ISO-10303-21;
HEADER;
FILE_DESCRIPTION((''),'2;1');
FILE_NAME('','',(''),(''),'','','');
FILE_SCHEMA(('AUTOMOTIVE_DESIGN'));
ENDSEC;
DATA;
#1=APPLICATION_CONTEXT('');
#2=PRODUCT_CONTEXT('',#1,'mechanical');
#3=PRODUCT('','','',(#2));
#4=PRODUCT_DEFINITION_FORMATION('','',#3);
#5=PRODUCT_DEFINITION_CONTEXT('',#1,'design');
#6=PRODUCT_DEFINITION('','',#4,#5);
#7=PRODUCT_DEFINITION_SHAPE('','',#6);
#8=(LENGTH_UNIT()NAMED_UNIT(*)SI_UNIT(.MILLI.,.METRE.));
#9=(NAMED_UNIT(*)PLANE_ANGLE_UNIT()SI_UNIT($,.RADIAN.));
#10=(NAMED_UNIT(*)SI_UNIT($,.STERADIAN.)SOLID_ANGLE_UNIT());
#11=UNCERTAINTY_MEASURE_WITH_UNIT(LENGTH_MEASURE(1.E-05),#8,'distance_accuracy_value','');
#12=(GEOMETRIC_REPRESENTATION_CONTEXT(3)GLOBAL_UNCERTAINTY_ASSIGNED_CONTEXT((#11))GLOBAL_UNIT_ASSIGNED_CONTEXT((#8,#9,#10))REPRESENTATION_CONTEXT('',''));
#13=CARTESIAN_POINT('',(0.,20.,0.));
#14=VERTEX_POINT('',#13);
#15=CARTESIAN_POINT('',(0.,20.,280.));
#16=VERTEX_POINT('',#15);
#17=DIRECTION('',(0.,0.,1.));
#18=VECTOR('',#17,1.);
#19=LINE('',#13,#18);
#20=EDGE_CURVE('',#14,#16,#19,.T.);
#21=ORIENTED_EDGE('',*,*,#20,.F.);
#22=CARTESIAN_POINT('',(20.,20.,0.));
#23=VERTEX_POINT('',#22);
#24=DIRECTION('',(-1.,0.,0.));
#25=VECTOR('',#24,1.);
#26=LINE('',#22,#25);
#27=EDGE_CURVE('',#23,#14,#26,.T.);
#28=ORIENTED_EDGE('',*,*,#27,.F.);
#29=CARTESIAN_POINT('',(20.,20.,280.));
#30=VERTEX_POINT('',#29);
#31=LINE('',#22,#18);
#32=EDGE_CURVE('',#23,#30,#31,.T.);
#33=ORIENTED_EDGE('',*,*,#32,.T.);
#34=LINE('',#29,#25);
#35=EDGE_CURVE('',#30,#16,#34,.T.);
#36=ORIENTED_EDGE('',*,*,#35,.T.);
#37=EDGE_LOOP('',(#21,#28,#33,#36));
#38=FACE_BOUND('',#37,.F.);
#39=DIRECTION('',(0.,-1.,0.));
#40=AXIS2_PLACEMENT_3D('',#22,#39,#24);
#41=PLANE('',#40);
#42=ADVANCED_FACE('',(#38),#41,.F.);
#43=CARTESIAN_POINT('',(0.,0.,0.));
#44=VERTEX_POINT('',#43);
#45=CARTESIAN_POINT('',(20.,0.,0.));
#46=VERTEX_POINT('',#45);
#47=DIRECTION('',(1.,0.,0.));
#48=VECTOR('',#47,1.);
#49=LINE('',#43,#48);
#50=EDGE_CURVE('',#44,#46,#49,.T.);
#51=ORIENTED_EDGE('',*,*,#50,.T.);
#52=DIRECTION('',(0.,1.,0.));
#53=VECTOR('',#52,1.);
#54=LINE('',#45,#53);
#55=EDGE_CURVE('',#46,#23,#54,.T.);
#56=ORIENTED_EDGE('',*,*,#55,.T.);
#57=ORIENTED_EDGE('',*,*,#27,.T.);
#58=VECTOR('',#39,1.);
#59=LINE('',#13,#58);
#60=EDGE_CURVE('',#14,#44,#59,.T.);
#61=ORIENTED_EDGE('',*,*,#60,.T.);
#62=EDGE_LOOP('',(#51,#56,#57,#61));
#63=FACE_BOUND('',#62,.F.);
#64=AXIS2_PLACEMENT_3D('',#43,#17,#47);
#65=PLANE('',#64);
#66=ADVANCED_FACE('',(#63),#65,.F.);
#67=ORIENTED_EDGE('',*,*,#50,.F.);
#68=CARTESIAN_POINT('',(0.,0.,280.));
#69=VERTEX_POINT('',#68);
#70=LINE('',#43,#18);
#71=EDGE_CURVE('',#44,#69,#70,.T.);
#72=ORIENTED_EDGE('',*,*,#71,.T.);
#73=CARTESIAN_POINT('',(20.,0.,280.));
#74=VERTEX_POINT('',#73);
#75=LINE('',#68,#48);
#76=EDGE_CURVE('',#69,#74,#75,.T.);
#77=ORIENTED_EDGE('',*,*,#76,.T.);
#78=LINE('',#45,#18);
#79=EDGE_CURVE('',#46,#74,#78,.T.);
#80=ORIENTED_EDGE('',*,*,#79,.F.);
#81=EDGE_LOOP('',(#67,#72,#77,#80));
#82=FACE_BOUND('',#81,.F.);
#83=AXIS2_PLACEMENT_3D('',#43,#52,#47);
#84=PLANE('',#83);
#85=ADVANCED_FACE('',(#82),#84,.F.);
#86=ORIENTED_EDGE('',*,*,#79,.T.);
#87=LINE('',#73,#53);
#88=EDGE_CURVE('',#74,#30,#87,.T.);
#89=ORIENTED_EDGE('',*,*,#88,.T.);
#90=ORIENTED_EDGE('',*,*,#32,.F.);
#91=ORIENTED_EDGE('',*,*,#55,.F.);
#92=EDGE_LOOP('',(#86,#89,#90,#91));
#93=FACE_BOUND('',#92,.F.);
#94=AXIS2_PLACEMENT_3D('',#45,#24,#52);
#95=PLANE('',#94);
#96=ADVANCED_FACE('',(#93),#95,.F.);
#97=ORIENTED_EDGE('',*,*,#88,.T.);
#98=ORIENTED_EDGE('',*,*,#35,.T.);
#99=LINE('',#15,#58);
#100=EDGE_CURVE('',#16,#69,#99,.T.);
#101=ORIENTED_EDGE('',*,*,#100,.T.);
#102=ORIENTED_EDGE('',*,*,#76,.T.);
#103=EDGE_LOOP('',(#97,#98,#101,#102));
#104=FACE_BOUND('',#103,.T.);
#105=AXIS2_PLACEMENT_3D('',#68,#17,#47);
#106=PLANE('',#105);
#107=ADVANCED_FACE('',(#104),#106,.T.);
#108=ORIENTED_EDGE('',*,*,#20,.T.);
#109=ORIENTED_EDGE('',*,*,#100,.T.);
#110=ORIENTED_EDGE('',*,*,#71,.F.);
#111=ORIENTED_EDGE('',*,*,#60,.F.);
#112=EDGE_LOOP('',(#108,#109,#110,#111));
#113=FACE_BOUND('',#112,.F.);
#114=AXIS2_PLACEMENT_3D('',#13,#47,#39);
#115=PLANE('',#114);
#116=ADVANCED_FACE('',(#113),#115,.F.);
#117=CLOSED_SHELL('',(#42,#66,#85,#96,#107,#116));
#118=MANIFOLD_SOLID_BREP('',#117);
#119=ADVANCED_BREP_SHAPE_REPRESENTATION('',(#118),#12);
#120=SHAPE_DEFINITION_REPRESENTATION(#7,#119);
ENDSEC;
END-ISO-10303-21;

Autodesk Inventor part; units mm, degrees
ref_plane "YZ Plane" through (0, 0, 0) normal (1, 0, 0) x (0, 1, 0)
ref_plane "XZ Plane" through (0, 0, 0) normal (0, 1, 0) x (-1, 0, 0)
ref_plane "XY Plane" through (0, 0, 0) normal (0, 0, 1) x (1, 0, 0)
sketch "Sketch1" plane through (0, 0, 0) normal (0, 0, 1) x (1, 0, 0)
  line L0 (0, 0) -> (20, 0)
  line L1 (20, 0) -> (20, 20)
  line L2 (20, 20) -> (0, 20)
  line L3 (0, 20) -> (0, 0)
  dimension "d0" = 20
  dimension "d1" = 20
extrude "Extrusion1" add sketch "Sketch1" along normal blind 280
ref_plane "Work Plane1" through (10, 0, 0) normal (1, 0, 0) x (0, 0, -1)
ref_plane "Work Plane2" through (0, 10, 0) normal (0, 1, 0) x (1, 0, 0)
properties part number "Z 2020"
